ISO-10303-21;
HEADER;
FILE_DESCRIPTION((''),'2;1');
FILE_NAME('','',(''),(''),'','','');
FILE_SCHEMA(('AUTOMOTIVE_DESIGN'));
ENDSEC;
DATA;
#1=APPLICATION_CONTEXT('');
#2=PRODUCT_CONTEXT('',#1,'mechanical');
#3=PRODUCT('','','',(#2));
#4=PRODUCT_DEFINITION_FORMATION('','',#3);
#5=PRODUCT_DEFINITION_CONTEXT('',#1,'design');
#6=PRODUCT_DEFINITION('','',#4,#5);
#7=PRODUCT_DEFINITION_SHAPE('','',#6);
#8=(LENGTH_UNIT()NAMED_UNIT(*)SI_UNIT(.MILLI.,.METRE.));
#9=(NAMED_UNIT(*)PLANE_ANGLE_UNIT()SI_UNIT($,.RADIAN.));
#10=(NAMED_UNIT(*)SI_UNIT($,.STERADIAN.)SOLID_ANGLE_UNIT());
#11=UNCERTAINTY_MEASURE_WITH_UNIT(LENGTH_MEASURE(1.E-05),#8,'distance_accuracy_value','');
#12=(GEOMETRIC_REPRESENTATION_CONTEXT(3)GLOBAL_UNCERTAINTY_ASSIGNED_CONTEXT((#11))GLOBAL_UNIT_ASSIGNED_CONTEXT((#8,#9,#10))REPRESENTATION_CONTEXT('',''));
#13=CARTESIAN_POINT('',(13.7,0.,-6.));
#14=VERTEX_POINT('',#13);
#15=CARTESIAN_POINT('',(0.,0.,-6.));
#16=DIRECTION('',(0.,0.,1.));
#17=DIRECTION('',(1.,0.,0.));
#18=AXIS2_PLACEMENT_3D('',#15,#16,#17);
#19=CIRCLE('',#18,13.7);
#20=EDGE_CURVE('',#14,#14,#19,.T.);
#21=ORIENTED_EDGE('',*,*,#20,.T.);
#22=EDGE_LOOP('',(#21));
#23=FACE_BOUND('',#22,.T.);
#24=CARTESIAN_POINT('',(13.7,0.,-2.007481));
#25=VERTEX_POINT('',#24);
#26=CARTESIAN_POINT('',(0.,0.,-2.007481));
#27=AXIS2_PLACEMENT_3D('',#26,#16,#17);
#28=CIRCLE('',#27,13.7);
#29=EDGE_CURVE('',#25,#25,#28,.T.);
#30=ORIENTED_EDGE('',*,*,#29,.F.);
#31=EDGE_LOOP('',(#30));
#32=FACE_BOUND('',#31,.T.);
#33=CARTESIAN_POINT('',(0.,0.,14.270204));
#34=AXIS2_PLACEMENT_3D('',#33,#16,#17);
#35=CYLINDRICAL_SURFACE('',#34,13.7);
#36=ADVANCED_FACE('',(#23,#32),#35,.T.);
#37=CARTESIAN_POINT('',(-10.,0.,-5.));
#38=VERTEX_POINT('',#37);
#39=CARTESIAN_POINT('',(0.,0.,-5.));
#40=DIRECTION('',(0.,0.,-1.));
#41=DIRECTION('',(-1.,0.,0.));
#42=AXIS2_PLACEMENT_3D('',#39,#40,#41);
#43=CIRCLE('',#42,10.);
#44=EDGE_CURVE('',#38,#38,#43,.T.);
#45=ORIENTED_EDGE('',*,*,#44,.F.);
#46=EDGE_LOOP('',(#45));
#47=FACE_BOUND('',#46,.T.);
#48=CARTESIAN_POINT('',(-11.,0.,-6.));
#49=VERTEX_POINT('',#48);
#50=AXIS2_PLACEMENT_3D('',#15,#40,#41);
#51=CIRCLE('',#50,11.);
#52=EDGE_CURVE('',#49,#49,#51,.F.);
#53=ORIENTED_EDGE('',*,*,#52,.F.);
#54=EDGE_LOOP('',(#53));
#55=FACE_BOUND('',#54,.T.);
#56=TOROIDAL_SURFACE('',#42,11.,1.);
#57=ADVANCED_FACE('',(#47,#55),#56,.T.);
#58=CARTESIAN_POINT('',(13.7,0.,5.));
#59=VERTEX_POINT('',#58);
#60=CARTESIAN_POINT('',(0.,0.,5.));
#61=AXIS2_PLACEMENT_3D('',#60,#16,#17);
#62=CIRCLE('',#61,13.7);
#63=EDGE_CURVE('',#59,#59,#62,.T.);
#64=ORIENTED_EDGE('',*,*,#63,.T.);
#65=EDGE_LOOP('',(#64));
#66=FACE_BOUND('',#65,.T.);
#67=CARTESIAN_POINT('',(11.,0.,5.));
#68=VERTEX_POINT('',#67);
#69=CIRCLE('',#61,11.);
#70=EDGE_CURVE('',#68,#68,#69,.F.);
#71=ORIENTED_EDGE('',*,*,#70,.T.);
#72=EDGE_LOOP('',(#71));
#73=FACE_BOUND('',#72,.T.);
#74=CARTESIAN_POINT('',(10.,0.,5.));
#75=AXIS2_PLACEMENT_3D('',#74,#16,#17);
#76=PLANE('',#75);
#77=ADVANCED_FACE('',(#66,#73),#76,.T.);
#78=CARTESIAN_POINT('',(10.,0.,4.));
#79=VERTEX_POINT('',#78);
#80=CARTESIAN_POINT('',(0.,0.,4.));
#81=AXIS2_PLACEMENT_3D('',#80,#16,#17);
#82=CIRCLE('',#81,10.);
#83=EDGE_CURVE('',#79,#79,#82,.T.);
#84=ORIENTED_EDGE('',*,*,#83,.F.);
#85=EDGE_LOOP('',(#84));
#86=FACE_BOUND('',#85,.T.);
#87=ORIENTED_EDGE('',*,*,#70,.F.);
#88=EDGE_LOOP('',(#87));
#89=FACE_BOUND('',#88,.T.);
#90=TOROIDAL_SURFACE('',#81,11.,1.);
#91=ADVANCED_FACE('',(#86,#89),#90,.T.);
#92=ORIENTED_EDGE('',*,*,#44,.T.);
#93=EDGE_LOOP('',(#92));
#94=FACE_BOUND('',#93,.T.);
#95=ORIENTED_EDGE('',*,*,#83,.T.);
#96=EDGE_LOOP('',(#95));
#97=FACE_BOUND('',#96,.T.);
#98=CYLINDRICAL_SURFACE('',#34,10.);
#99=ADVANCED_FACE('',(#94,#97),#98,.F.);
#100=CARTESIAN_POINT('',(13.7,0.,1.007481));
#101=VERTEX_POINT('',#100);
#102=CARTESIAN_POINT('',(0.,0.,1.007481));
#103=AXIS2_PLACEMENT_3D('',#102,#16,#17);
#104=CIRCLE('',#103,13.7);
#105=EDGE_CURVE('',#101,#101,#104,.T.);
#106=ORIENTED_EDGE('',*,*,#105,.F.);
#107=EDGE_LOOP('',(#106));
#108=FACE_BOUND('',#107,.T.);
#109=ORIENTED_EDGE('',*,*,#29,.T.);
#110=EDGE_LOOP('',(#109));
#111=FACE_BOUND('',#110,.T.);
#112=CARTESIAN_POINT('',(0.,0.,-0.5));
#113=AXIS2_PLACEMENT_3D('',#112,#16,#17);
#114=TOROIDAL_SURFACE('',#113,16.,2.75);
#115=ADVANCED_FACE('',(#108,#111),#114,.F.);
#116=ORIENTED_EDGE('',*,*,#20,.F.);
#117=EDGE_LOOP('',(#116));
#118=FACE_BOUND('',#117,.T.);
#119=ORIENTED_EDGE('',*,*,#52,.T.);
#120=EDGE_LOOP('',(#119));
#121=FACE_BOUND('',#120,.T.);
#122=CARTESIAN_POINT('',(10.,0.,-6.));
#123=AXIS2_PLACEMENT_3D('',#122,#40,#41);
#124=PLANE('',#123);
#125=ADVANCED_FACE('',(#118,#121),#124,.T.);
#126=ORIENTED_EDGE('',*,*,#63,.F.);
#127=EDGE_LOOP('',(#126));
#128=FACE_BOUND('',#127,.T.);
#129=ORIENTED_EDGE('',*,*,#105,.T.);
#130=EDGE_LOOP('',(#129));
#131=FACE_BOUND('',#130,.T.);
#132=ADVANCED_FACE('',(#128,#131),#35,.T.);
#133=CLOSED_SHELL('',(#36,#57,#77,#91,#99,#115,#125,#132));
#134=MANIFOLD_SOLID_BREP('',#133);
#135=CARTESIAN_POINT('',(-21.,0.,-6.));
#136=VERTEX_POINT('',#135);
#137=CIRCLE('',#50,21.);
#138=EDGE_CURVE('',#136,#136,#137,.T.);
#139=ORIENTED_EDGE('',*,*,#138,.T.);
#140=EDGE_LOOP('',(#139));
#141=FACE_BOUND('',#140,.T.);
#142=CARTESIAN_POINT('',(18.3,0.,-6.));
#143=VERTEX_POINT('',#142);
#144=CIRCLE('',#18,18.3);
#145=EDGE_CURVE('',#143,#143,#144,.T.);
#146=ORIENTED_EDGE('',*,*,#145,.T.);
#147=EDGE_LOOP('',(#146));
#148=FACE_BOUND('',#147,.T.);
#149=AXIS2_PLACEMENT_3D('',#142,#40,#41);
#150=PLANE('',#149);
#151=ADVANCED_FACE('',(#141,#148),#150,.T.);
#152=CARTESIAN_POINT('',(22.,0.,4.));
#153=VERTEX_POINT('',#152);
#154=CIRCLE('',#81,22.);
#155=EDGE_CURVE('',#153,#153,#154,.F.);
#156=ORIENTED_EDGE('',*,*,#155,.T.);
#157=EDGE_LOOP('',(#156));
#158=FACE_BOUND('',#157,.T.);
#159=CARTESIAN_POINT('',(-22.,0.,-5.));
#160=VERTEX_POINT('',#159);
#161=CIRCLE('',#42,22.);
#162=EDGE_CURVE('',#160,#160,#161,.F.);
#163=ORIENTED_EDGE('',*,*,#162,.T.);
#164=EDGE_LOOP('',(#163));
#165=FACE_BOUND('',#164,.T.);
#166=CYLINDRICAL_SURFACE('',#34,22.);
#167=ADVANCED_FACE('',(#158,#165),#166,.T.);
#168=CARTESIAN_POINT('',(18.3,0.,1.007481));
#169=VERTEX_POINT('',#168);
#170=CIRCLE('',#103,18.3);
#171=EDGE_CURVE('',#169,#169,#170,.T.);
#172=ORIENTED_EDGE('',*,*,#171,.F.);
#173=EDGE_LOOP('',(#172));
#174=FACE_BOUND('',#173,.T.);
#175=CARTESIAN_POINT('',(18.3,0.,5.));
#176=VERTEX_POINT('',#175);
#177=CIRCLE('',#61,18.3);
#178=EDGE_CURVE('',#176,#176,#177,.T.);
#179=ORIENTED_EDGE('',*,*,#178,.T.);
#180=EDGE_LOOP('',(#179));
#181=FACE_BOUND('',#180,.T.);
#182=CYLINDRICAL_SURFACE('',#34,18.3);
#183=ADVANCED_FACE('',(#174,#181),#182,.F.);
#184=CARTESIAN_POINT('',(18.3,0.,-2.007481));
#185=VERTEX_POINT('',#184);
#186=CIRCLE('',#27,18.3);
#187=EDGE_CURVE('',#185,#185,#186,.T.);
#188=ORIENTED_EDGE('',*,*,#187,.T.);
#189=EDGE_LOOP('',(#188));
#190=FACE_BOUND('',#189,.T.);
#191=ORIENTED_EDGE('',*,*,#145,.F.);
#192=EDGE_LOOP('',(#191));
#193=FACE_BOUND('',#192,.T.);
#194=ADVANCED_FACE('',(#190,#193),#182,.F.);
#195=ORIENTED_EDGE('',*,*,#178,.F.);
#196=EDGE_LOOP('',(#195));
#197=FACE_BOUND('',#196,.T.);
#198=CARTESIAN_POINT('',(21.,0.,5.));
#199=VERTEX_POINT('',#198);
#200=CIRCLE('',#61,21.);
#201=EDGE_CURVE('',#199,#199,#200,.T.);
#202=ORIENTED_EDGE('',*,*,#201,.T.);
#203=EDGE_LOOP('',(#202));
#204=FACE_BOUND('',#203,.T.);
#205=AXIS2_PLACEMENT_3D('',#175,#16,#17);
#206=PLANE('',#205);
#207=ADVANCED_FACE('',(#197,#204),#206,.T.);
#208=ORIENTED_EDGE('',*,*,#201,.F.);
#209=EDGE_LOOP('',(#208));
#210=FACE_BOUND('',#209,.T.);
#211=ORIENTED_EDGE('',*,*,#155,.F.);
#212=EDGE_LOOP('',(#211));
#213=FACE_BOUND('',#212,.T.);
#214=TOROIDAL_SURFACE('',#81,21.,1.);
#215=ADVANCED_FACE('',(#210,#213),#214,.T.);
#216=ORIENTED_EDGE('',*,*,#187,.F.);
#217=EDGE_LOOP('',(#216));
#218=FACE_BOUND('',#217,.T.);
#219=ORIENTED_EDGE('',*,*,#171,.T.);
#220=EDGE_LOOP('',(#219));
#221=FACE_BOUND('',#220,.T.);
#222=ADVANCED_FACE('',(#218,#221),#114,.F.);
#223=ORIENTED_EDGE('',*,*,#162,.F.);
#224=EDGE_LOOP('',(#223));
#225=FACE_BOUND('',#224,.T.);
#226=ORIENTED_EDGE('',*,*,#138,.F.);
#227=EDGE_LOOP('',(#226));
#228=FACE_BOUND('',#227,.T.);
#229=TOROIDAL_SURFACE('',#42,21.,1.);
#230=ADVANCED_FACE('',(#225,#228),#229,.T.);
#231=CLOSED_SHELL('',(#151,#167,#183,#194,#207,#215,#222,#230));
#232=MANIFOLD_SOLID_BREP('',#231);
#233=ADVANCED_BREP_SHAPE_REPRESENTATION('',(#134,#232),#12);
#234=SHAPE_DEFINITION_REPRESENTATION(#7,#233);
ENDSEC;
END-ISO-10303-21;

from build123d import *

# Parameters (mm, degrees)
FILLET_1_R = 1
FILLET_2_R = 1


with BuildPart() as part:
    # 草图1 → 旋转1 (revolve)
    with BuildSketch(Plane(origin=(0, 0, 0), x_dir=(1, 0, 0), z_dir=(0, 1, 0))):
        with BuildLine():
            Line((13.7, 6), (13.7, 2.007481343))
            ThreePointArc((13.7, 2.007481343), (13.25, 0.5), (13.7, -1.007481343))
            Line((13.7, -1.007481343), (13.7, -5))
            Line((13.7, -5), (10, -5))
            Line((10, -5), (10, 6))
            Line((10, 6), (13.7, 6))
        make_face()
        with BuildLine():
            Line((22, 6), (22, -5))
            Line((22, -5), (18.3, -5))
            Line((18.3, -5), (18.3, -1.007481343))
            ThreePointArc((18.3, -1.007481343), (18.75, 0.5), (18.3, 2.007481343))
            Line((18.3, 2.007481343), (18.3, 6))
            Line((18.3, 6), (22, 6))
        make_face()
    revolve(axis=Axis((0, 0, 14.270204402), (0, 0, -1)))

    # 圆角1
    fillet_1_edges = [part.edges().sort_by_distance(p)[0] for p in [
        (-22, 0, -6),
        (-22, 0, 5),
    ]]
    fillet(fillet_1_edges, radius=FILLET_1_R)

    # 圆角2
    fillet_2_edges = [part.edges().sort_by_distance(p)[0] for p in [
        (-10, 0, -6),
        (-10, 0, 5),
    ]]
    fillet(fillet_2_edges, radius=FILLET_2_R)


solid = part.part
